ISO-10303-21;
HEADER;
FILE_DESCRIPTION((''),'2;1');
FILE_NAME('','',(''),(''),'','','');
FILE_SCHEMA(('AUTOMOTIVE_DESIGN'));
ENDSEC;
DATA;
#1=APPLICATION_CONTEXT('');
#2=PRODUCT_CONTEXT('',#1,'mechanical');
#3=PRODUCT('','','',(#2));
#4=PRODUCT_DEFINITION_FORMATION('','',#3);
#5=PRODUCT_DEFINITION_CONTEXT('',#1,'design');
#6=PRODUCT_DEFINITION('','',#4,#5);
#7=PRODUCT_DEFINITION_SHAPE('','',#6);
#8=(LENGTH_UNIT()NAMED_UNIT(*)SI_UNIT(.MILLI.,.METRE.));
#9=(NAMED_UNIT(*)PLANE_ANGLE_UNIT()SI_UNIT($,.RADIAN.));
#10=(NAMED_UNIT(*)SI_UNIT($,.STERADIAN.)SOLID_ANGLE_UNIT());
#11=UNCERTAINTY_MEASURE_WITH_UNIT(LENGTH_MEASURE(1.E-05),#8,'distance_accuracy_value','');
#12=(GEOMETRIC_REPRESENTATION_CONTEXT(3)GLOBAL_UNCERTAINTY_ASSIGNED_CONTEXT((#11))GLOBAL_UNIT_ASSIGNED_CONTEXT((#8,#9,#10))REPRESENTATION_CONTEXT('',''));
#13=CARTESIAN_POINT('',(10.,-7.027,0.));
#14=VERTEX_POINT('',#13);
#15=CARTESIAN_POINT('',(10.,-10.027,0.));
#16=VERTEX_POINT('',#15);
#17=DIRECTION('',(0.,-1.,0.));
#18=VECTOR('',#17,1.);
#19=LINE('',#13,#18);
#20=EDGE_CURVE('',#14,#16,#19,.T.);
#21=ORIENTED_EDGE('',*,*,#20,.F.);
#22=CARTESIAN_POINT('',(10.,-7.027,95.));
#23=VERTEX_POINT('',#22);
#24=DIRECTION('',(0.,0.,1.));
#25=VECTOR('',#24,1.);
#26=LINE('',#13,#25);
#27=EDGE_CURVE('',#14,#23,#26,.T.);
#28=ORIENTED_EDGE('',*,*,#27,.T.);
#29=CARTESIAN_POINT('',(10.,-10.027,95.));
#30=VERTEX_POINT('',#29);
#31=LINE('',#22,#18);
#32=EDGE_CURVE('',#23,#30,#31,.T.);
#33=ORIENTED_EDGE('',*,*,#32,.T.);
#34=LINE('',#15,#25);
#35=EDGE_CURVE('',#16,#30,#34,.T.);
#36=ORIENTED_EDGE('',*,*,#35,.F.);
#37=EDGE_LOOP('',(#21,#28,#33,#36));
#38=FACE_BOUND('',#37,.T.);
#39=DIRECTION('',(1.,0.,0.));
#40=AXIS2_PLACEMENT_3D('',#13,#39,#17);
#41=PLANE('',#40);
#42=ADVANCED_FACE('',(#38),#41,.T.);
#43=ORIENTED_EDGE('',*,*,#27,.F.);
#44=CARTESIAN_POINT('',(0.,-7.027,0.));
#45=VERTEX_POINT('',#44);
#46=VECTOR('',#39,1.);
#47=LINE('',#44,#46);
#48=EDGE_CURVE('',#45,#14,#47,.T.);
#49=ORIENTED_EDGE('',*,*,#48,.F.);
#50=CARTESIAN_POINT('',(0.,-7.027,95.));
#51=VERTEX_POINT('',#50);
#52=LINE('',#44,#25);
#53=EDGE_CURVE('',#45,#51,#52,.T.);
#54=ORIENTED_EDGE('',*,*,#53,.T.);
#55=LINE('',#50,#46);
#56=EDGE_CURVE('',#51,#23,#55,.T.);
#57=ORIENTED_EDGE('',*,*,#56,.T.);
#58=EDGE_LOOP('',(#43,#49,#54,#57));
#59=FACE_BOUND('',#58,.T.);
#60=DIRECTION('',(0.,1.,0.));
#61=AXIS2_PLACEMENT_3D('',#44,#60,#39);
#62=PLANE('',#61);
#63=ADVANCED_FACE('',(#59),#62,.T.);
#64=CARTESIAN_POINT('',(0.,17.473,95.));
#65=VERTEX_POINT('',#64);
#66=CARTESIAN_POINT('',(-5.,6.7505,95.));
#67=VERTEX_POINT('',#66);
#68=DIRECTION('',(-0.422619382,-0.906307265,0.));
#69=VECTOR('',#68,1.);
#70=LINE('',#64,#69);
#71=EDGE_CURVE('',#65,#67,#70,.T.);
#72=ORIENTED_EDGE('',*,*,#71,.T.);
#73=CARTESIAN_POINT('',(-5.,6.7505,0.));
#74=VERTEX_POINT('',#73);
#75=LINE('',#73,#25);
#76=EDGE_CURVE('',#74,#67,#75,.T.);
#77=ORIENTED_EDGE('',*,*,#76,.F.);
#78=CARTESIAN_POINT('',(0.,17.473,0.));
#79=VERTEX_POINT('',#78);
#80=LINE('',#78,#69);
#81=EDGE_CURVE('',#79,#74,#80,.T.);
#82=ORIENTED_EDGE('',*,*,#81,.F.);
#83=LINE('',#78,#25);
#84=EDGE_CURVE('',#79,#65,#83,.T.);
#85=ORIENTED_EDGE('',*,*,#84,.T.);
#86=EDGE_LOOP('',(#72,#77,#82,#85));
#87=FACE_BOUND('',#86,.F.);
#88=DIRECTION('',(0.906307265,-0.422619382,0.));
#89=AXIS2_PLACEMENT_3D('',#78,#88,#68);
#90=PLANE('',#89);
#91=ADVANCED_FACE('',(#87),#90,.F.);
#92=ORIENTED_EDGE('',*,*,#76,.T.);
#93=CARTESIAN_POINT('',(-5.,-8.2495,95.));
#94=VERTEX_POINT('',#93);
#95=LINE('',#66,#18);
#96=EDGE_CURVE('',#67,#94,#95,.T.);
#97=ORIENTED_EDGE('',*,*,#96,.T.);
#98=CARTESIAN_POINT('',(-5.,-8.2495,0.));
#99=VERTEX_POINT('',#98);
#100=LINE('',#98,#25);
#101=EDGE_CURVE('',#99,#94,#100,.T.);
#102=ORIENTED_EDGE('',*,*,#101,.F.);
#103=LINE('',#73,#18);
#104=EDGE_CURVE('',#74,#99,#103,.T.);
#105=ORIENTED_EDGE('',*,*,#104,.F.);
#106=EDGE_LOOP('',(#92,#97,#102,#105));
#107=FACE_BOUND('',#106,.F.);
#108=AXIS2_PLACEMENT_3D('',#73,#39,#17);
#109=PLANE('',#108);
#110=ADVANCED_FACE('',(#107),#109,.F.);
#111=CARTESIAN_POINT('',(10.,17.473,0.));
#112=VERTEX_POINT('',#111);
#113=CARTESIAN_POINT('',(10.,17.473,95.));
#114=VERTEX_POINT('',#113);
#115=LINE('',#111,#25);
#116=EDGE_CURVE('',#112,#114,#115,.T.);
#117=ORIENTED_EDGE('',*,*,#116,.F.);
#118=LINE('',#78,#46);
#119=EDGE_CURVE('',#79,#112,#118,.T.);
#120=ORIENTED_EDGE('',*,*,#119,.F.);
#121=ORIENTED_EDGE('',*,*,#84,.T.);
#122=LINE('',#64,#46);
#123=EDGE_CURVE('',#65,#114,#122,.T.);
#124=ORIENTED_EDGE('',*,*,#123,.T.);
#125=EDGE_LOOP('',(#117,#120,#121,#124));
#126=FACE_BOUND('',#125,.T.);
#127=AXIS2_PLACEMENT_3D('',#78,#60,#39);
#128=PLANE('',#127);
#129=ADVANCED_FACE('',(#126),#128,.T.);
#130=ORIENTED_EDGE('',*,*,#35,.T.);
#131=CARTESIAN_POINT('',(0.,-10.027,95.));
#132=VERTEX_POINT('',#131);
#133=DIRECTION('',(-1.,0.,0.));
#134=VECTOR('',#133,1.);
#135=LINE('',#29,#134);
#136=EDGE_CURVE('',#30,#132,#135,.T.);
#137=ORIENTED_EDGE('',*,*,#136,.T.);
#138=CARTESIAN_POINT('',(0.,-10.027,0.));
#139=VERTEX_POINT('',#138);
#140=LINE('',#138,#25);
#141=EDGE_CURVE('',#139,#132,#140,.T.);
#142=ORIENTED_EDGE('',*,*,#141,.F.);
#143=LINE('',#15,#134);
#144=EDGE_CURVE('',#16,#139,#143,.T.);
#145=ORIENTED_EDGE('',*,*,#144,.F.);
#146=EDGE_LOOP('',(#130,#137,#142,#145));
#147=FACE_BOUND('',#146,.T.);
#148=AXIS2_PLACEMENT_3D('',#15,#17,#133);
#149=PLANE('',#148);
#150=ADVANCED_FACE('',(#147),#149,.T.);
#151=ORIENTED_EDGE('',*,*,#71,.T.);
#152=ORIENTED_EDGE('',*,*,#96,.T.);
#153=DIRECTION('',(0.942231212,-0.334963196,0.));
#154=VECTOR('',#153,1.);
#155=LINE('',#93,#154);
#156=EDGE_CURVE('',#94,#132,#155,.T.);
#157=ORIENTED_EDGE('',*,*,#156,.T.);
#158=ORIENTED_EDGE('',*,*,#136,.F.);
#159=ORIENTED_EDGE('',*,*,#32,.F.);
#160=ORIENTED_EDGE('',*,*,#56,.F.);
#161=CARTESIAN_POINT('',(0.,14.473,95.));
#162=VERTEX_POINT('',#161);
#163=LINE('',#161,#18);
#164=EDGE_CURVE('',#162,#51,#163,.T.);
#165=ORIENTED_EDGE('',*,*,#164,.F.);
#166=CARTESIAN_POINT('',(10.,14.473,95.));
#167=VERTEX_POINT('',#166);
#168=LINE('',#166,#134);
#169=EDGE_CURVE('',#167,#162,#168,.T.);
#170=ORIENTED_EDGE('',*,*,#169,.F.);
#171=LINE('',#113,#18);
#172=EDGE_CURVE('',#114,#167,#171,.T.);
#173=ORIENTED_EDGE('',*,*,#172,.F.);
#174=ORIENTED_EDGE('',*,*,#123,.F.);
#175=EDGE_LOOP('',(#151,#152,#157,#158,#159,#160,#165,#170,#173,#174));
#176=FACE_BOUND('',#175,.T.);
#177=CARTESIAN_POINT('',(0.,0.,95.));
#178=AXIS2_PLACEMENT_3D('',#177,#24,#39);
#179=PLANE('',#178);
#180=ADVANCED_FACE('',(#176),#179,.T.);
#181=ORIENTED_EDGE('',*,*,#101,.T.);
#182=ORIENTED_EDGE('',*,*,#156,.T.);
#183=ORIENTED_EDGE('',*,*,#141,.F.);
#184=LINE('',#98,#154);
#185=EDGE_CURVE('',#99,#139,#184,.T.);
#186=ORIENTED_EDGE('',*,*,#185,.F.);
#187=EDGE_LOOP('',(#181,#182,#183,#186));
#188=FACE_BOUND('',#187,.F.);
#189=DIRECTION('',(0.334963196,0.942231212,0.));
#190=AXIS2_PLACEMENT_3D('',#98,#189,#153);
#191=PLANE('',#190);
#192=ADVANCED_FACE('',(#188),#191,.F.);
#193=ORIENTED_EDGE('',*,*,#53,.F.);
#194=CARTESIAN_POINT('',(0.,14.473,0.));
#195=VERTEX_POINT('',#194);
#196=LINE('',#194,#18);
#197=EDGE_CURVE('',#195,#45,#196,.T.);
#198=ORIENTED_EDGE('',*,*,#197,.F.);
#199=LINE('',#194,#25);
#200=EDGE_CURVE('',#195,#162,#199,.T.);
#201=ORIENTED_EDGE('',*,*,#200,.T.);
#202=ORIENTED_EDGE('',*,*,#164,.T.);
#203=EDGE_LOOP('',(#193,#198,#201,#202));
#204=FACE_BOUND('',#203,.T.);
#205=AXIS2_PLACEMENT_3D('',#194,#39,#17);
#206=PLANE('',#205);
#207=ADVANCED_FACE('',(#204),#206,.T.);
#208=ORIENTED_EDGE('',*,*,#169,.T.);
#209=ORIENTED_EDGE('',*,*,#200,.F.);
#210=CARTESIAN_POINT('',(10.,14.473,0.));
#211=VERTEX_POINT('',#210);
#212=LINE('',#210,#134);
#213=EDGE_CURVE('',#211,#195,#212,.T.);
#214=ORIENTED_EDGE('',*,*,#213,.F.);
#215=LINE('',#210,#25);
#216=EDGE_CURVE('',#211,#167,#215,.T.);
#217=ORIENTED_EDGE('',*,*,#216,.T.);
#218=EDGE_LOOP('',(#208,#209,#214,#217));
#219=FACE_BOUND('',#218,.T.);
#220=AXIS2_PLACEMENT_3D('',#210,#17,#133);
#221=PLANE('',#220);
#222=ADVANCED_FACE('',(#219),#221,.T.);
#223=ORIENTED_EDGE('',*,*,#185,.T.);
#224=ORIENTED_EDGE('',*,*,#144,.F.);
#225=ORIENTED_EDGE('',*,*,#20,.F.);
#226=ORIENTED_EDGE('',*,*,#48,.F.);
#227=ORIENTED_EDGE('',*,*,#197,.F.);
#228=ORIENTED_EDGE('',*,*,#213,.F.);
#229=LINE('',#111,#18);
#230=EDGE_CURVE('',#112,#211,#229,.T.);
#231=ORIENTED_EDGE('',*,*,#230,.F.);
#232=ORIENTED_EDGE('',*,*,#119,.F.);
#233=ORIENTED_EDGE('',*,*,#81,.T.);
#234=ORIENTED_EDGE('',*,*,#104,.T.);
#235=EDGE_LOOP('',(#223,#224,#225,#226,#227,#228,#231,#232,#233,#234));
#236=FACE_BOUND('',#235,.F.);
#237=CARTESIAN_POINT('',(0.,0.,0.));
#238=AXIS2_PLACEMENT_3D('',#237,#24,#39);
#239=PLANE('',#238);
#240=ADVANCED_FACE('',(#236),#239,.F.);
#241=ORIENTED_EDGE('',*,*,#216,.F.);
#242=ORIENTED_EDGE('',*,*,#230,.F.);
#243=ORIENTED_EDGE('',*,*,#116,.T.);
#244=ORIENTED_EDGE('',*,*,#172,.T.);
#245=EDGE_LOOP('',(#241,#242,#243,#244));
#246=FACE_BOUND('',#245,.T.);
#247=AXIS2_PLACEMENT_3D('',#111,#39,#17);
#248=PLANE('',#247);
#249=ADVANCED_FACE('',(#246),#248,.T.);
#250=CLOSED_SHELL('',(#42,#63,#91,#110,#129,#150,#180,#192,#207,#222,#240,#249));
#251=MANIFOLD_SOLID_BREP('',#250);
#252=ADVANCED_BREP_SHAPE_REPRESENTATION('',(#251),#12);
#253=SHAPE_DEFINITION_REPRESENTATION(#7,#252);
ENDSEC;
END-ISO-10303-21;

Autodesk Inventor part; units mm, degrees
ref_plane "YZ Plane" through (0, 0, 0) normal (1, 0, 0) x (0, 1, 0)
ref_plane "XZ Plane" through (0, 0, 0) normal (0, 1, 0) x (-1, 0, 0)
ref_plane "XY Plane" through (0, 0, 0) normal (0, 0, 1) x (1, 0, 0)
sketch "Skizze1" plane through (0, 0, 0) normal (0, 0, 1) x (1, 0, 0)
  line L0 (0, 14.473) -> (0, -7.027)
  line L1 (0, -7.027) -> (10, -7.027)
  line L2 (10, -7.027) -> (10, -10.027)
  line L3 (10, -10.027) -> (0, -10.027)
  line L4 (0, -10.027) -> (0, -7.027)
  line L5 (0, 17.473) -> (10, 17.473)
  line L6 (10, 17.473) -> (10, 14.473)
  line L7 (10, 14.473) -> (0, 14.473)
  line L8 (0, 14.473) -> (0, 17.473)
  line L9 (0, 17.473) -> (-5, 6.7505)
  line L10 (-5, 6.7505) -> (-5, -8.2495)
  line L11 (-5, -8.2495) -> (0, -10.027)
  point P0 (0, 0)
  dimension "d3" = 10
  dimension "d4" = 21.5
  dimension "d5" = 3
  dimension "d6" = 3
  dimension "d7" = 5
  dimension "d8" = 15
  dimension "d9" = 25
extrude "Extrusion1" add sketch "Skizze1" along normal blind 95
equation "\"d6\" = d5"
properties part number "Bremslicht"
